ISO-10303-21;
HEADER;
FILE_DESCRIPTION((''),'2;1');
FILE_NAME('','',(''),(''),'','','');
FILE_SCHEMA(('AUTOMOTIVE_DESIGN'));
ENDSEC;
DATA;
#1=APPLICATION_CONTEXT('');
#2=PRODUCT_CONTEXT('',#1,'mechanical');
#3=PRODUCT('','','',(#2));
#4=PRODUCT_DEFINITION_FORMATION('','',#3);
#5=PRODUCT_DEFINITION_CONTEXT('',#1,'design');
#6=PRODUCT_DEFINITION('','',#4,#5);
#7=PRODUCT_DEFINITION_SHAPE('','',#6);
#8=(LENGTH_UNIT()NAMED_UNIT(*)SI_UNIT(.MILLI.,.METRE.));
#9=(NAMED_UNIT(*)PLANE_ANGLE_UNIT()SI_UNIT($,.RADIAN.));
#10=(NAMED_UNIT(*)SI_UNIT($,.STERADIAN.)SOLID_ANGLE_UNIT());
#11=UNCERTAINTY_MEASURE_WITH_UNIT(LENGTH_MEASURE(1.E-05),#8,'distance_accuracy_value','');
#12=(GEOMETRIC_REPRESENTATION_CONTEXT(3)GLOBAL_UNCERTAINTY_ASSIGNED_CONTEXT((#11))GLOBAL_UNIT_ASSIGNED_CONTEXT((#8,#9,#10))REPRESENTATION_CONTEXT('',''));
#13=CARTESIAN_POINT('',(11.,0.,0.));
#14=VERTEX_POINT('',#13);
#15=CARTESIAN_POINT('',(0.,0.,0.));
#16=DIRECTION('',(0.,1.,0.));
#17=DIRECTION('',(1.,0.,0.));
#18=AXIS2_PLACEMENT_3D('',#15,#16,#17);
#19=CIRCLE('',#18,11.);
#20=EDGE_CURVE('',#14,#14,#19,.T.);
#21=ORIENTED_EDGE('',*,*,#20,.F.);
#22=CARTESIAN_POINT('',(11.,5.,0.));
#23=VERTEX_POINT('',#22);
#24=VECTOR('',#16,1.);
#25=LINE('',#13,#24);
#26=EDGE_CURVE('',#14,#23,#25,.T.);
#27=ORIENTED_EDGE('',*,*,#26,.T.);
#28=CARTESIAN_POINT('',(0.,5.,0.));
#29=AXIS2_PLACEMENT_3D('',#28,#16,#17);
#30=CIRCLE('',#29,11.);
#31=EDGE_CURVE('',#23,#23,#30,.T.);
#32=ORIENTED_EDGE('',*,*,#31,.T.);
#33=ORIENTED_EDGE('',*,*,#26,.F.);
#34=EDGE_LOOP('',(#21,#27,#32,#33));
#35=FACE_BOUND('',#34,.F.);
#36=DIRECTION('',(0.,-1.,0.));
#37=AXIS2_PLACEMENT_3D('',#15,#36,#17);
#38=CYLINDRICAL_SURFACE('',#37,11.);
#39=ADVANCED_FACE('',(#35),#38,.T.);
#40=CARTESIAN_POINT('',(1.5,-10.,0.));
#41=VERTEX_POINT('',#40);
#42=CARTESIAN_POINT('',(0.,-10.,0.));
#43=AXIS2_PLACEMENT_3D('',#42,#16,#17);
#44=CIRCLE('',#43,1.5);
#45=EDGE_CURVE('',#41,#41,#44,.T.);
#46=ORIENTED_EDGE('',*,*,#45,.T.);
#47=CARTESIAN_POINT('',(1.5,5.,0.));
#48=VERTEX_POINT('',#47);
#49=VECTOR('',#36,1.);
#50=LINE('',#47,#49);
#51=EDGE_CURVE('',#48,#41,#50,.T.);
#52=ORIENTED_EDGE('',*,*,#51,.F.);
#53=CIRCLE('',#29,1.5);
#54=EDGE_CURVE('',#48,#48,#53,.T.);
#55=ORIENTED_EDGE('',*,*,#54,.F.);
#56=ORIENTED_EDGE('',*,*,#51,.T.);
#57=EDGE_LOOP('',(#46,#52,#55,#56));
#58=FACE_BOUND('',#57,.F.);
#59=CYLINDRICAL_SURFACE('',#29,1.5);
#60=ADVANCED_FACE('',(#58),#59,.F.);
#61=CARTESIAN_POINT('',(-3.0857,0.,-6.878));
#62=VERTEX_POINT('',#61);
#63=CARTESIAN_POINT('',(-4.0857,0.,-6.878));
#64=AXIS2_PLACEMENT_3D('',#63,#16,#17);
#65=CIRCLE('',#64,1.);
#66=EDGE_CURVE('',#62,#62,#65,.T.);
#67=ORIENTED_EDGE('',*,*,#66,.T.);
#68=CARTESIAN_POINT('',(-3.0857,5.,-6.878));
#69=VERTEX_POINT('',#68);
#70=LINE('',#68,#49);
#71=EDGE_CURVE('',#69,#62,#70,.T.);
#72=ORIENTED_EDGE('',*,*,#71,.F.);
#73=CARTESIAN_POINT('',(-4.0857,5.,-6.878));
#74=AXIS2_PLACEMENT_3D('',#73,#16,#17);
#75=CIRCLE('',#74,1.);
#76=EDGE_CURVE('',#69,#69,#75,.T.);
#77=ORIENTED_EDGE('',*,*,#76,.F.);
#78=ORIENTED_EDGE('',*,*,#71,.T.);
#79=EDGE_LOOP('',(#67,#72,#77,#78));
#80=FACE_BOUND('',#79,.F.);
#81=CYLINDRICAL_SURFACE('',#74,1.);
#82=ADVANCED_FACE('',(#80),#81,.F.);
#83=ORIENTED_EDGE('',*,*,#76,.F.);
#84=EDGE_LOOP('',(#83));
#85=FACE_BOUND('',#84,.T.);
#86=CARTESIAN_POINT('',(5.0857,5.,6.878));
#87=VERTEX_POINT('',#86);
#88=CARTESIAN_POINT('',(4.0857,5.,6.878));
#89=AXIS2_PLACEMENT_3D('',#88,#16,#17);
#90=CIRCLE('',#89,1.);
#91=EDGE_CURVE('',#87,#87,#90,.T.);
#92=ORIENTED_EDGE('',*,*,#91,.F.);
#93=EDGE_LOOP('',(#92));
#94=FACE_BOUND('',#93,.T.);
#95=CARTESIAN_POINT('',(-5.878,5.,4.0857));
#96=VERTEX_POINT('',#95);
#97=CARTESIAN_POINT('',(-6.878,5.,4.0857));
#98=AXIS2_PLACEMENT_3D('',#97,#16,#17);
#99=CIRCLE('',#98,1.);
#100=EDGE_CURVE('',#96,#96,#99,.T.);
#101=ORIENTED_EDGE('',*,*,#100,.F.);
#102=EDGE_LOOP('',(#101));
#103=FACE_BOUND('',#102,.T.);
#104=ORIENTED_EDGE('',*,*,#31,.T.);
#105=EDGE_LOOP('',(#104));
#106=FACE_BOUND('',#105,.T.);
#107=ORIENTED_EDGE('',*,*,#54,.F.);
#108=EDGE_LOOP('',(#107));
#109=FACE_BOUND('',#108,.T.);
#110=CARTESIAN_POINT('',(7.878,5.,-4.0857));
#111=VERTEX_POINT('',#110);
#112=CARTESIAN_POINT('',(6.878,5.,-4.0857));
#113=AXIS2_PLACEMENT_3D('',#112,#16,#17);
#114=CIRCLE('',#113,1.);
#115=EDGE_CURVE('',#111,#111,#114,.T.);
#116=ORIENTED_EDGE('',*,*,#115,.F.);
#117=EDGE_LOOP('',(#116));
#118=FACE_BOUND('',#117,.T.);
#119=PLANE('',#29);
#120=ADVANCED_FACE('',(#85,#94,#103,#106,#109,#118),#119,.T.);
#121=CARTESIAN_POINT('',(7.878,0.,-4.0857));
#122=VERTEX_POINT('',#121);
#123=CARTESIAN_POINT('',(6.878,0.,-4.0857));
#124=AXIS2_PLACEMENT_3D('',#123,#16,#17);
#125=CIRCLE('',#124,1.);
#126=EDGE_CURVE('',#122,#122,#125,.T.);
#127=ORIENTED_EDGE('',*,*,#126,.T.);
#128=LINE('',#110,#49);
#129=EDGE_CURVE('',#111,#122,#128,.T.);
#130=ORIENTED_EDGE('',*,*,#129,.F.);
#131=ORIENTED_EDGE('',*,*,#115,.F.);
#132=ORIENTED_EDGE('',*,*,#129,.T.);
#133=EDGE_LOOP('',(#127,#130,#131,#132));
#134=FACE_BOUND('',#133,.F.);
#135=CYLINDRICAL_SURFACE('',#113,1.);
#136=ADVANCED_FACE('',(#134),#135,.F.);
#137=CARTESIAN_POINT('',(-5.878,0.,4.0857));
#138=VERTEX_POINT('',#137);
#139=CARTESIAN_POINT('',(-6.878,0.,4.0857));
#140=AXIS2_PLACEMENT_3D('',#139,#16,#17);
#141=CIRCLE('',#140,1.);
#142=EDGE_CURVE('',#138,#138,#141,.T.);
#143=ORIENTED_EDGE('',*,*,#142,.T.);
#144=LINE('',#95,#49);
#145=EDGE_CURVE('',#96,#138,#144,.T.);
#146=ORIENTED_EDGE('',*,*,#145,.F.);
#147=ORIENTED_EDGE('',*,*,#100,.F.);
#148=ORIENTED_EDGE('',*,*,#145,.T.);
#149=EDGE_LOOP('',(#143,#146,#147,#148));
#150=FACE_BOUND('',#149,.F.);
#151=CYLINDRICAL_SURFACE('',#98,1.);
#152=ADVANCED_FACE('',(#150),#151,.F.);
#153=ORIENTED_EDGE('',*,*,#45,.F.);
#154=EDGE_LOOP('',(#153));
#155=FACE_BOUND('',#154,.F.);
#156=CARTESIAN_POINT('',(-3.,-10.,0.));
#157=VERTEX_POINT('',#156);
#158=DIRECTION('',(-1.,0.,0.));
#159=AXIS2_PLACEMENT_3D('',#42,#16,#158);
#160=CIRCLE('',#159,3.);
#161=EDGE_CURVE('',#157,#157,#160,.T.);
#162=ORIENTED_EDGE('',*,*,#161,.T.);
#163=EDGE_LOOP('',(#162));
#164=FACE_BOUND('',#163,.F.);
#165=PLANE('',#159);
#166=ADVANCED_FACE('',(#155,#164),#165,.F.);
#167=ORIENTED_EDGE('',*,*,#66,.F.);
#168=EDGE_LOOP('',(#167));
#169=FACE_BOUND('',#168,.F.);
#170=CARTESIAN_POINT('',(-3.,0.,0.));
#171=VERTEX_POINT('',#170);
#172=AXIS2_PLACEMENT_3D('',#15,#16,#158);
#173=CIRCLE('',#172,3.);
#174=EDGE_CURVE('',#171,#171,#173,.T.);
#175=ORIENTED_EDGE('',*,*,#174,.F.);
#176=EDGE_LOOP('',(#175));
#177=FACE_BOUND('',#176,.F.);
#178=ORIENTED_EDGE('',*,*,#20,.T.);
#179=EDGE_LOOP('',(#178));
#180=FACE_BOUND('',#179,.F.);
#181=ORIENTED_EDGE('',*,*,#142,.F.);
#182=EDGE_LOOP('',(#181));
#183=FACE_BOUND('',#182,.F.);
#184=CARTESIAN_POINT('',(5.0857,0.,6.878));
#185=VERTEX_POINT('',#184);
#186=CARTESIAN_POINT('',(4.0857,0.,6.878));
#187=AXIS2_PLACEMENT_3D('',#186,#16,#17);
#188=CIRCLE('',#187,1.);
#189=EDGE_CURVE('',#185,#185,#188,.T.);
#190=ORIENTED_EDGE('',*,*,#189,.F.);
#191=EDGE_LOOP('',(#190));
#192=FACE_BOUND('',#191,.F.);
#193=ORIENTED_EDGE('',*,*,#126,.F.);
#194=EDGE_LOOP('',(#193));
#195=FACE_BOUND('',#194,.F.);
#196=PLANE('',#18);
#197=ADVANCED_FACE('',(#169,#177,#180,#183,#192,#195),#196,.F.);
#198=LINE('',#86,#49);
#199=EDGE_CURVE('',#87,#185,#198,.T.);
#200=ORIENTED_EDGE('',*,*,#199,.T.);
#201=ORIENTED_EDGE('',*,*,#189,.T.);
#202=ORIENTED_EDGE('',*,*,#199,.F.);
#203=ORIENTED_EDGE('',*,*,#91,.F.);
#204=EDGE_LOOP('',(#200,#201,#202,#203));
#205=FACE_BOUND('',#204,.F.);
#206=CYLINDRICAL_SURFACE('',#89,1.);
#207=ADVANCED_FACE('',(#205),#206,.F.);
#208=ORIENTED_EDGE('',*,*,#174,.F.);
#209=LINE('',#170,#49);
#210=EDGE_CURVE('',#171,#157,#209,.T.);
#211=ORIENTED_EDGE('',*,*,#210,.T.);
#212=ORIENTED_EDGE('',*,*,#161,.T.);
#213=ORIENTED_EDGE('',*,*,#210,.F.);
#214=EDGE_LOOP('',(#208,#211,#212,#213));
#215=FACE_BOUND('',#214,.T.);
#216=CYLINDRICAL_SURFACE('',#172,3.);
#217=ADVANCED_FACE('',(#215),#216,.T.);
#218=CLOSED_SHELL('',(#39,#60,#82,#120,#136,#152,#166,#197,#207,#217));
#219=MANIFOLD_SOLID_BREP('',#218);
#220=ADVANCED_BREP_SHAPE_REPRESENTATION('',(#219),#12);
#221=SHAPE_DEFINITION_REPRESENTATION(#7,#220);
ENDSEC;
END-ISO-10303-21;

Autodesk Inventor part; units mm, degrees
ref_plane "YZ Plane" through (0, 0, 0) normal (1, 0, 0) x (0, 1, 0)
ref_plane "XZ Plane" through (0, 0, 0) normal (0, 1, 0) x (-1, 0, 0)
ref_plane "XY Plane" through (0, 0, 0) normal (0, 0, 1) x (1, 0, 0)
sketch "Sketch1" plane through (0, 0, 0) normal (0, 1, 0) x (-1, 0, 0)
  circle A0 centre (0, 0) radius 3
  circle A1 centre (0, 0) radius 11
  dimension "d0" = 6
  dimension "d1" = 22
extrude "Extrusion1" add sketch "Sketch1" against normal blind 10 contours A0
sketch "Sketch2" plane through (0, 0, 0) normal (0, 1, 0) x (1, 0, 0)
  circle A0 centre (0, 0) radius 3
  circle A1 centre (0, 0) radius 11
  dimension "d4" = 6
  dimension "d5" = 22
extrude "Extrusion2" add sketch "Sketch2" along normal blind 5 contours A0 | A1
sketch "Sketch3" plane through (0, 5, 0) normal (0, 1, 0) x (1, 0, 0)
  circle A0 centre (0, 0) radius 1.5
  dimension "d8" = 3
extrude "Extrusion3" cut sketch "Sketch3" against normal up to next
sketch "Sketch4" plane through (0, 5, 0) normal (0, 1, 0) x (1, 0, 0)
  circle A0 centre (-6.878, -4.0857) radius 1
  circle A1 centre (4.0857, -6.878) radius 1
  circle A2 centre (6.878, 4.0857) radius 1
  circle A3 centre (-4.0857, 6.878) radius 1
  circle A4 centre (0, 0) radius 1.5 projected
  dimension "d11" = 2
  dimension "d14" = 360
  dimension "d17" = 5.5
  dimension "d18" = 3
extrude "Extrusion4" cut sketch "Sketch4" against normal up to next contours A0 | A1 | A2 | A3
properties part number "axe_ax12" material "ABS Plastic"
